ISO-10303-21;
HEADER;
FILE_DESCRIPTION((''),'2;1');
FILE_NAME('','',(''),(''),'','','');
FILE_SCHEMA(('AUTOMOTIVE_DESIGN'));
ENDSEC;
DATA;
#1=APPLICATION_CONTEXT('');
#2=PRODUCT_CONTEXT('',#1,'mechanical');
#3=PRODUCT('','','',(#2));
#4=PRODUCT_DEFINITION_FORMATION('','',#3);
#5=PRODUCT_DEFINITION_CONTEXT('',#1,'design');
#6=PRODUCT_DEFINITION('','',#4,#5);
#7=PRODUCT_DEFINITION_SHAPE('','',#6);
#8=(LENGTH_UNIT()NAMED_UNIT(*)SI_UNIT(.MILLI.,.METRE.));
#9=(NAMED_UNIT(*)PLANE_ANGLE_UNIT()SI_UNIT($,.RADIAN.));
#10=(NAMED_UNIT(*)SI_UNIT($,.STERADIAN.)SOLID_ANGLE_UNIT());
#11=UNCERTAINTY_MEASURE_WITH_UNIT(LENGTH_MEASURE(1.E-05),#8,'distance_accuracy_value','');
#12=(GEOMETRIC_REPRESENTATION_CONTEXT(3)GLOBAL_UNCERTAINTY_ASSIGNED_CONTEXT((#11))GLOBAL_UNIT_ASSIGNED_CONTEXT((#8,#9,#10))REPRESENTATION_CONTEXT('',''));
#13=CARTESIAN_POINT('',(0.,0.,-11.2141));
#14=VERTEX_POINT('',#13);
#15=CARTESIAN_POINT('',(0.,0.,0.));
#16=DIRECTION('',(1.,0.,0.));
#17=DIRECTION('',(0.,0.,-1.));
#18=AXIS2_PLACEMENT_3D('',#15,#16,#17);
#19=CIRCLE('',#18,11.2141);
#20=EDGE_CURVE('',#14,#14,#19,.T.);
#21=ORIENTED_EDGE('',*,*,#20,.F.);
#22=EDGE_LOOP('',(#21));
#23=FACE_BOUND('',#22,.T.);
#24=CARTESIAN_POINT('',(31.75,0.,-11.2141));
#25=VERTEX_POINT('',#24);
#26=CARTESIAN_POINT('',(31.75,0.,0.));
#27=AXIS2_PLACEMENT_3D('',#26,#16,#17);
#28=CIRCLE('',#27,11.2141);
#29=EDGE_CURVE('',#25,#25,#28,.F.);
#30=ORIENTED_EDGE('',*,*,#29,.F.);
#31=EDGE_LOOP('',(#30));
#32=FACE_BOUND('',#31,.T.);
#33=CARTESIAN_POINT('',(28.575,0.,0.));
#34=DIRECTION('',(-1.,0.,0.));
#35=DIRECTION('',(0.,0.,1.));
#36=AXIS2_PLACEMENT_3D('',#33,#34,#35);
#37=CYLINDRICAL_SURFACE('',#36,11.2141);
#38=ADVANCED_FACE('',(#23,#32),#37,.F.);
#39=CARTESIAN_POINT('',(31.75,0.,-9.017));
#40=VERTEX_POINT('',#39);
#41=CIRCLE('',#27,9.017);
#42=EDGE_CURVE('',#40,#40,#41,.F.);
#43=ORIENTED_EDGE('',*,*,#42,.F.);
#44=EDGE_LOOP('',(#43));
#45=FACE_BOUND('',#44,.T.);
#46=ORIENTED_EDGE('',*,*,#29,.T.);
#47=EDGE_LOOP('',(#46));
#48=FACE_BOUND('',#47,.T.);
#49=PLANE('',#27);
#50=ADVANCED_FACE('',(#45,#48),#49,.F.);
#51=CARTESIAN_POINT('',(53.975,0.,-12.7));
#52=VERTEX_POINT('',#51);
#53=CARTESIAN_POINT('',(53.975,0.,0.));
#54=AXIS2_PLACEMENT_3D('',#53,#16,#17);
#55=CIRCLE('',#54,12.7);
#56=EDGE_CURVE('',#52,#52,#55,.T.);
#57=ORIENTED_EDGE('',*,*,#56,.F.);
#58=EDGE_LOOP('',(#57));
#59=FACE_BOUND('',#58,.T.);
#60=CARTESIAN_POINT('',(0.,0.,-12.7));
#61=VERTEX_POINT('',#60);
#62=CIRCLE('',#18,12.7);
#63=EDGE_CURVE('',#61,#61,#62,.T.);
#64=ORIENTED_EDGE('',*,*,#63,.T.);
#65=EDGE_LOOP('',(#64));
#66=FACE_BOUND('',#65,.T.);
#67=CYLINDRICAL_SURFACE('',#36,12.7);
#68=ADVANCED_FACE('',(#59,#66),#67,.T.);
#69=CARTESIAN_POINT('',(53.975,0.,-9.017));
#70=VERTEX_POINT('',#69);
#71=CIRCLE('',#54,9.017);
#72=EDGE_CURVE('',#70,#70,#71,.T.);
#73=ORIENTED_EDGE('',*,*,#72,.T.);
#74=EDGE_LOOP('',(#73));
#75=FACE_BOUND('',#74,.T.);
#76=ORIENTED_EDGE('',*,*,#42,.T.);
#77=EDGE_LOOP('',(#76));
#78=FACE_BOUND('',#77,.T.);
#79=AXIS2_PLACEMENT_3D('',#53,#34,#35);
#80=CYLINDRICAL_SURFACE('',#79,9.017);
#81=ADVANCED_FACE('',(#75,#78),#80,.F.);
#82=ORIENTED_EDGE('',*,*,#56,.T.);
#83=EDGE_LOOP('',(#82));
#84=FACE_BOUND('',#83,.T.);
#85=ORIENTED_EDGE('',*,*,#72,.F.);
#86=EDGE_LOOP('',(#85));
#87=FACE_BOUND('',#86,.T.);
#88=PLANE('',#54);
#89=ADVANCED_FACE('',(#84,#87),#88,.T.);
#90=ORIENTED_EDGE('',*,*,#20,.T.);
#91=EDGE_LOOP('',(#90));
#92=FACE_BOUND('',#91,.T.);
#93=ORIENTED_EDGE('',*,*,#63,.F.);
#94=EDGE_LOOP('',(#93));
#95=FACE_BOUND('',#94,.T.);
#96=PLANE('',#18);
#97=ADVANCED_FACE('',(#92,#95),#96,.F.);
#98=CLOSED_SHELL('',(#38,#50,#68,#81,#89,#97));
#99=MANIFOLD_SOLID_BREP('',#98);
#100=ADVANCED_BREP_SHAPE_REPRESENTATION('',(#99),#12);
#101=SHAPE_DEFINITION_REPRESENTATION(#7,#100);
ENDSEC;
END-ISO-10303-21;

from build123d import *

# Parameters (mm, degrees)
SKETCH2_R          = 12.7
SKETCH2_R_2        = 11.2141
EXTRUDE1_DEPTH     = 28.575
SKETCH3_R          = 12.7
SKETCH3_R_2        = 9.017
EXTRUDE2_DEPTH     = 25.4
SKETCH4_R          = 11.2141
SKETCH4_R_2        = 9.017
CUT_EXTRUDE3_DEPTH = 3.175


with BuildPart() as part:
    # Sketch2 → Extrude1 (new body)
    with BuildSketch(Plane(origin=(0, 0, 0), x_dir=(0, 0, -1), z_dir=(1, 0, 0))):
        Circle(SKETCH2_R)
        Circle(SKETCH2_R_2, mode=Mode.SUBTRACT)
    extrude(amount=EXTRUDE1_DEPTH)

    # Sketch3 → Extrude2 (add)
    with BuildSketch(Plane(origin=(28.575, 0, 0), x_dir=(0, 0, -1), z_dir=(1, 0, 0))):
        Circle(SKETCH3_R)
        Circle(SKETCH3_R_2, mode=Mode.SUBTRACT)
    extrude(amount=EXTRUDE2_DEPTH)

    # Sketch4 → Cut-Extrude3 (cut)
    with BuildSketch(Plane.ZY.offset(-28.575)):
        with Locations(Location((0, 0, 0), (0, 0, 180))):  # turned: the seam where the file's is
            Circle(SKETCH4_R)
        with Locations(Location((0, 0, 0), (0, 0, 180))):  # turned: the seam where the file's is
            Circle(SKETCH4_R_2, mode=Mode.SUBTRACT)
    extrude(amount=-CUT_EXTRUDE3_DEPTH, mode=Mode.SUBTRACT)


solid = part.part
